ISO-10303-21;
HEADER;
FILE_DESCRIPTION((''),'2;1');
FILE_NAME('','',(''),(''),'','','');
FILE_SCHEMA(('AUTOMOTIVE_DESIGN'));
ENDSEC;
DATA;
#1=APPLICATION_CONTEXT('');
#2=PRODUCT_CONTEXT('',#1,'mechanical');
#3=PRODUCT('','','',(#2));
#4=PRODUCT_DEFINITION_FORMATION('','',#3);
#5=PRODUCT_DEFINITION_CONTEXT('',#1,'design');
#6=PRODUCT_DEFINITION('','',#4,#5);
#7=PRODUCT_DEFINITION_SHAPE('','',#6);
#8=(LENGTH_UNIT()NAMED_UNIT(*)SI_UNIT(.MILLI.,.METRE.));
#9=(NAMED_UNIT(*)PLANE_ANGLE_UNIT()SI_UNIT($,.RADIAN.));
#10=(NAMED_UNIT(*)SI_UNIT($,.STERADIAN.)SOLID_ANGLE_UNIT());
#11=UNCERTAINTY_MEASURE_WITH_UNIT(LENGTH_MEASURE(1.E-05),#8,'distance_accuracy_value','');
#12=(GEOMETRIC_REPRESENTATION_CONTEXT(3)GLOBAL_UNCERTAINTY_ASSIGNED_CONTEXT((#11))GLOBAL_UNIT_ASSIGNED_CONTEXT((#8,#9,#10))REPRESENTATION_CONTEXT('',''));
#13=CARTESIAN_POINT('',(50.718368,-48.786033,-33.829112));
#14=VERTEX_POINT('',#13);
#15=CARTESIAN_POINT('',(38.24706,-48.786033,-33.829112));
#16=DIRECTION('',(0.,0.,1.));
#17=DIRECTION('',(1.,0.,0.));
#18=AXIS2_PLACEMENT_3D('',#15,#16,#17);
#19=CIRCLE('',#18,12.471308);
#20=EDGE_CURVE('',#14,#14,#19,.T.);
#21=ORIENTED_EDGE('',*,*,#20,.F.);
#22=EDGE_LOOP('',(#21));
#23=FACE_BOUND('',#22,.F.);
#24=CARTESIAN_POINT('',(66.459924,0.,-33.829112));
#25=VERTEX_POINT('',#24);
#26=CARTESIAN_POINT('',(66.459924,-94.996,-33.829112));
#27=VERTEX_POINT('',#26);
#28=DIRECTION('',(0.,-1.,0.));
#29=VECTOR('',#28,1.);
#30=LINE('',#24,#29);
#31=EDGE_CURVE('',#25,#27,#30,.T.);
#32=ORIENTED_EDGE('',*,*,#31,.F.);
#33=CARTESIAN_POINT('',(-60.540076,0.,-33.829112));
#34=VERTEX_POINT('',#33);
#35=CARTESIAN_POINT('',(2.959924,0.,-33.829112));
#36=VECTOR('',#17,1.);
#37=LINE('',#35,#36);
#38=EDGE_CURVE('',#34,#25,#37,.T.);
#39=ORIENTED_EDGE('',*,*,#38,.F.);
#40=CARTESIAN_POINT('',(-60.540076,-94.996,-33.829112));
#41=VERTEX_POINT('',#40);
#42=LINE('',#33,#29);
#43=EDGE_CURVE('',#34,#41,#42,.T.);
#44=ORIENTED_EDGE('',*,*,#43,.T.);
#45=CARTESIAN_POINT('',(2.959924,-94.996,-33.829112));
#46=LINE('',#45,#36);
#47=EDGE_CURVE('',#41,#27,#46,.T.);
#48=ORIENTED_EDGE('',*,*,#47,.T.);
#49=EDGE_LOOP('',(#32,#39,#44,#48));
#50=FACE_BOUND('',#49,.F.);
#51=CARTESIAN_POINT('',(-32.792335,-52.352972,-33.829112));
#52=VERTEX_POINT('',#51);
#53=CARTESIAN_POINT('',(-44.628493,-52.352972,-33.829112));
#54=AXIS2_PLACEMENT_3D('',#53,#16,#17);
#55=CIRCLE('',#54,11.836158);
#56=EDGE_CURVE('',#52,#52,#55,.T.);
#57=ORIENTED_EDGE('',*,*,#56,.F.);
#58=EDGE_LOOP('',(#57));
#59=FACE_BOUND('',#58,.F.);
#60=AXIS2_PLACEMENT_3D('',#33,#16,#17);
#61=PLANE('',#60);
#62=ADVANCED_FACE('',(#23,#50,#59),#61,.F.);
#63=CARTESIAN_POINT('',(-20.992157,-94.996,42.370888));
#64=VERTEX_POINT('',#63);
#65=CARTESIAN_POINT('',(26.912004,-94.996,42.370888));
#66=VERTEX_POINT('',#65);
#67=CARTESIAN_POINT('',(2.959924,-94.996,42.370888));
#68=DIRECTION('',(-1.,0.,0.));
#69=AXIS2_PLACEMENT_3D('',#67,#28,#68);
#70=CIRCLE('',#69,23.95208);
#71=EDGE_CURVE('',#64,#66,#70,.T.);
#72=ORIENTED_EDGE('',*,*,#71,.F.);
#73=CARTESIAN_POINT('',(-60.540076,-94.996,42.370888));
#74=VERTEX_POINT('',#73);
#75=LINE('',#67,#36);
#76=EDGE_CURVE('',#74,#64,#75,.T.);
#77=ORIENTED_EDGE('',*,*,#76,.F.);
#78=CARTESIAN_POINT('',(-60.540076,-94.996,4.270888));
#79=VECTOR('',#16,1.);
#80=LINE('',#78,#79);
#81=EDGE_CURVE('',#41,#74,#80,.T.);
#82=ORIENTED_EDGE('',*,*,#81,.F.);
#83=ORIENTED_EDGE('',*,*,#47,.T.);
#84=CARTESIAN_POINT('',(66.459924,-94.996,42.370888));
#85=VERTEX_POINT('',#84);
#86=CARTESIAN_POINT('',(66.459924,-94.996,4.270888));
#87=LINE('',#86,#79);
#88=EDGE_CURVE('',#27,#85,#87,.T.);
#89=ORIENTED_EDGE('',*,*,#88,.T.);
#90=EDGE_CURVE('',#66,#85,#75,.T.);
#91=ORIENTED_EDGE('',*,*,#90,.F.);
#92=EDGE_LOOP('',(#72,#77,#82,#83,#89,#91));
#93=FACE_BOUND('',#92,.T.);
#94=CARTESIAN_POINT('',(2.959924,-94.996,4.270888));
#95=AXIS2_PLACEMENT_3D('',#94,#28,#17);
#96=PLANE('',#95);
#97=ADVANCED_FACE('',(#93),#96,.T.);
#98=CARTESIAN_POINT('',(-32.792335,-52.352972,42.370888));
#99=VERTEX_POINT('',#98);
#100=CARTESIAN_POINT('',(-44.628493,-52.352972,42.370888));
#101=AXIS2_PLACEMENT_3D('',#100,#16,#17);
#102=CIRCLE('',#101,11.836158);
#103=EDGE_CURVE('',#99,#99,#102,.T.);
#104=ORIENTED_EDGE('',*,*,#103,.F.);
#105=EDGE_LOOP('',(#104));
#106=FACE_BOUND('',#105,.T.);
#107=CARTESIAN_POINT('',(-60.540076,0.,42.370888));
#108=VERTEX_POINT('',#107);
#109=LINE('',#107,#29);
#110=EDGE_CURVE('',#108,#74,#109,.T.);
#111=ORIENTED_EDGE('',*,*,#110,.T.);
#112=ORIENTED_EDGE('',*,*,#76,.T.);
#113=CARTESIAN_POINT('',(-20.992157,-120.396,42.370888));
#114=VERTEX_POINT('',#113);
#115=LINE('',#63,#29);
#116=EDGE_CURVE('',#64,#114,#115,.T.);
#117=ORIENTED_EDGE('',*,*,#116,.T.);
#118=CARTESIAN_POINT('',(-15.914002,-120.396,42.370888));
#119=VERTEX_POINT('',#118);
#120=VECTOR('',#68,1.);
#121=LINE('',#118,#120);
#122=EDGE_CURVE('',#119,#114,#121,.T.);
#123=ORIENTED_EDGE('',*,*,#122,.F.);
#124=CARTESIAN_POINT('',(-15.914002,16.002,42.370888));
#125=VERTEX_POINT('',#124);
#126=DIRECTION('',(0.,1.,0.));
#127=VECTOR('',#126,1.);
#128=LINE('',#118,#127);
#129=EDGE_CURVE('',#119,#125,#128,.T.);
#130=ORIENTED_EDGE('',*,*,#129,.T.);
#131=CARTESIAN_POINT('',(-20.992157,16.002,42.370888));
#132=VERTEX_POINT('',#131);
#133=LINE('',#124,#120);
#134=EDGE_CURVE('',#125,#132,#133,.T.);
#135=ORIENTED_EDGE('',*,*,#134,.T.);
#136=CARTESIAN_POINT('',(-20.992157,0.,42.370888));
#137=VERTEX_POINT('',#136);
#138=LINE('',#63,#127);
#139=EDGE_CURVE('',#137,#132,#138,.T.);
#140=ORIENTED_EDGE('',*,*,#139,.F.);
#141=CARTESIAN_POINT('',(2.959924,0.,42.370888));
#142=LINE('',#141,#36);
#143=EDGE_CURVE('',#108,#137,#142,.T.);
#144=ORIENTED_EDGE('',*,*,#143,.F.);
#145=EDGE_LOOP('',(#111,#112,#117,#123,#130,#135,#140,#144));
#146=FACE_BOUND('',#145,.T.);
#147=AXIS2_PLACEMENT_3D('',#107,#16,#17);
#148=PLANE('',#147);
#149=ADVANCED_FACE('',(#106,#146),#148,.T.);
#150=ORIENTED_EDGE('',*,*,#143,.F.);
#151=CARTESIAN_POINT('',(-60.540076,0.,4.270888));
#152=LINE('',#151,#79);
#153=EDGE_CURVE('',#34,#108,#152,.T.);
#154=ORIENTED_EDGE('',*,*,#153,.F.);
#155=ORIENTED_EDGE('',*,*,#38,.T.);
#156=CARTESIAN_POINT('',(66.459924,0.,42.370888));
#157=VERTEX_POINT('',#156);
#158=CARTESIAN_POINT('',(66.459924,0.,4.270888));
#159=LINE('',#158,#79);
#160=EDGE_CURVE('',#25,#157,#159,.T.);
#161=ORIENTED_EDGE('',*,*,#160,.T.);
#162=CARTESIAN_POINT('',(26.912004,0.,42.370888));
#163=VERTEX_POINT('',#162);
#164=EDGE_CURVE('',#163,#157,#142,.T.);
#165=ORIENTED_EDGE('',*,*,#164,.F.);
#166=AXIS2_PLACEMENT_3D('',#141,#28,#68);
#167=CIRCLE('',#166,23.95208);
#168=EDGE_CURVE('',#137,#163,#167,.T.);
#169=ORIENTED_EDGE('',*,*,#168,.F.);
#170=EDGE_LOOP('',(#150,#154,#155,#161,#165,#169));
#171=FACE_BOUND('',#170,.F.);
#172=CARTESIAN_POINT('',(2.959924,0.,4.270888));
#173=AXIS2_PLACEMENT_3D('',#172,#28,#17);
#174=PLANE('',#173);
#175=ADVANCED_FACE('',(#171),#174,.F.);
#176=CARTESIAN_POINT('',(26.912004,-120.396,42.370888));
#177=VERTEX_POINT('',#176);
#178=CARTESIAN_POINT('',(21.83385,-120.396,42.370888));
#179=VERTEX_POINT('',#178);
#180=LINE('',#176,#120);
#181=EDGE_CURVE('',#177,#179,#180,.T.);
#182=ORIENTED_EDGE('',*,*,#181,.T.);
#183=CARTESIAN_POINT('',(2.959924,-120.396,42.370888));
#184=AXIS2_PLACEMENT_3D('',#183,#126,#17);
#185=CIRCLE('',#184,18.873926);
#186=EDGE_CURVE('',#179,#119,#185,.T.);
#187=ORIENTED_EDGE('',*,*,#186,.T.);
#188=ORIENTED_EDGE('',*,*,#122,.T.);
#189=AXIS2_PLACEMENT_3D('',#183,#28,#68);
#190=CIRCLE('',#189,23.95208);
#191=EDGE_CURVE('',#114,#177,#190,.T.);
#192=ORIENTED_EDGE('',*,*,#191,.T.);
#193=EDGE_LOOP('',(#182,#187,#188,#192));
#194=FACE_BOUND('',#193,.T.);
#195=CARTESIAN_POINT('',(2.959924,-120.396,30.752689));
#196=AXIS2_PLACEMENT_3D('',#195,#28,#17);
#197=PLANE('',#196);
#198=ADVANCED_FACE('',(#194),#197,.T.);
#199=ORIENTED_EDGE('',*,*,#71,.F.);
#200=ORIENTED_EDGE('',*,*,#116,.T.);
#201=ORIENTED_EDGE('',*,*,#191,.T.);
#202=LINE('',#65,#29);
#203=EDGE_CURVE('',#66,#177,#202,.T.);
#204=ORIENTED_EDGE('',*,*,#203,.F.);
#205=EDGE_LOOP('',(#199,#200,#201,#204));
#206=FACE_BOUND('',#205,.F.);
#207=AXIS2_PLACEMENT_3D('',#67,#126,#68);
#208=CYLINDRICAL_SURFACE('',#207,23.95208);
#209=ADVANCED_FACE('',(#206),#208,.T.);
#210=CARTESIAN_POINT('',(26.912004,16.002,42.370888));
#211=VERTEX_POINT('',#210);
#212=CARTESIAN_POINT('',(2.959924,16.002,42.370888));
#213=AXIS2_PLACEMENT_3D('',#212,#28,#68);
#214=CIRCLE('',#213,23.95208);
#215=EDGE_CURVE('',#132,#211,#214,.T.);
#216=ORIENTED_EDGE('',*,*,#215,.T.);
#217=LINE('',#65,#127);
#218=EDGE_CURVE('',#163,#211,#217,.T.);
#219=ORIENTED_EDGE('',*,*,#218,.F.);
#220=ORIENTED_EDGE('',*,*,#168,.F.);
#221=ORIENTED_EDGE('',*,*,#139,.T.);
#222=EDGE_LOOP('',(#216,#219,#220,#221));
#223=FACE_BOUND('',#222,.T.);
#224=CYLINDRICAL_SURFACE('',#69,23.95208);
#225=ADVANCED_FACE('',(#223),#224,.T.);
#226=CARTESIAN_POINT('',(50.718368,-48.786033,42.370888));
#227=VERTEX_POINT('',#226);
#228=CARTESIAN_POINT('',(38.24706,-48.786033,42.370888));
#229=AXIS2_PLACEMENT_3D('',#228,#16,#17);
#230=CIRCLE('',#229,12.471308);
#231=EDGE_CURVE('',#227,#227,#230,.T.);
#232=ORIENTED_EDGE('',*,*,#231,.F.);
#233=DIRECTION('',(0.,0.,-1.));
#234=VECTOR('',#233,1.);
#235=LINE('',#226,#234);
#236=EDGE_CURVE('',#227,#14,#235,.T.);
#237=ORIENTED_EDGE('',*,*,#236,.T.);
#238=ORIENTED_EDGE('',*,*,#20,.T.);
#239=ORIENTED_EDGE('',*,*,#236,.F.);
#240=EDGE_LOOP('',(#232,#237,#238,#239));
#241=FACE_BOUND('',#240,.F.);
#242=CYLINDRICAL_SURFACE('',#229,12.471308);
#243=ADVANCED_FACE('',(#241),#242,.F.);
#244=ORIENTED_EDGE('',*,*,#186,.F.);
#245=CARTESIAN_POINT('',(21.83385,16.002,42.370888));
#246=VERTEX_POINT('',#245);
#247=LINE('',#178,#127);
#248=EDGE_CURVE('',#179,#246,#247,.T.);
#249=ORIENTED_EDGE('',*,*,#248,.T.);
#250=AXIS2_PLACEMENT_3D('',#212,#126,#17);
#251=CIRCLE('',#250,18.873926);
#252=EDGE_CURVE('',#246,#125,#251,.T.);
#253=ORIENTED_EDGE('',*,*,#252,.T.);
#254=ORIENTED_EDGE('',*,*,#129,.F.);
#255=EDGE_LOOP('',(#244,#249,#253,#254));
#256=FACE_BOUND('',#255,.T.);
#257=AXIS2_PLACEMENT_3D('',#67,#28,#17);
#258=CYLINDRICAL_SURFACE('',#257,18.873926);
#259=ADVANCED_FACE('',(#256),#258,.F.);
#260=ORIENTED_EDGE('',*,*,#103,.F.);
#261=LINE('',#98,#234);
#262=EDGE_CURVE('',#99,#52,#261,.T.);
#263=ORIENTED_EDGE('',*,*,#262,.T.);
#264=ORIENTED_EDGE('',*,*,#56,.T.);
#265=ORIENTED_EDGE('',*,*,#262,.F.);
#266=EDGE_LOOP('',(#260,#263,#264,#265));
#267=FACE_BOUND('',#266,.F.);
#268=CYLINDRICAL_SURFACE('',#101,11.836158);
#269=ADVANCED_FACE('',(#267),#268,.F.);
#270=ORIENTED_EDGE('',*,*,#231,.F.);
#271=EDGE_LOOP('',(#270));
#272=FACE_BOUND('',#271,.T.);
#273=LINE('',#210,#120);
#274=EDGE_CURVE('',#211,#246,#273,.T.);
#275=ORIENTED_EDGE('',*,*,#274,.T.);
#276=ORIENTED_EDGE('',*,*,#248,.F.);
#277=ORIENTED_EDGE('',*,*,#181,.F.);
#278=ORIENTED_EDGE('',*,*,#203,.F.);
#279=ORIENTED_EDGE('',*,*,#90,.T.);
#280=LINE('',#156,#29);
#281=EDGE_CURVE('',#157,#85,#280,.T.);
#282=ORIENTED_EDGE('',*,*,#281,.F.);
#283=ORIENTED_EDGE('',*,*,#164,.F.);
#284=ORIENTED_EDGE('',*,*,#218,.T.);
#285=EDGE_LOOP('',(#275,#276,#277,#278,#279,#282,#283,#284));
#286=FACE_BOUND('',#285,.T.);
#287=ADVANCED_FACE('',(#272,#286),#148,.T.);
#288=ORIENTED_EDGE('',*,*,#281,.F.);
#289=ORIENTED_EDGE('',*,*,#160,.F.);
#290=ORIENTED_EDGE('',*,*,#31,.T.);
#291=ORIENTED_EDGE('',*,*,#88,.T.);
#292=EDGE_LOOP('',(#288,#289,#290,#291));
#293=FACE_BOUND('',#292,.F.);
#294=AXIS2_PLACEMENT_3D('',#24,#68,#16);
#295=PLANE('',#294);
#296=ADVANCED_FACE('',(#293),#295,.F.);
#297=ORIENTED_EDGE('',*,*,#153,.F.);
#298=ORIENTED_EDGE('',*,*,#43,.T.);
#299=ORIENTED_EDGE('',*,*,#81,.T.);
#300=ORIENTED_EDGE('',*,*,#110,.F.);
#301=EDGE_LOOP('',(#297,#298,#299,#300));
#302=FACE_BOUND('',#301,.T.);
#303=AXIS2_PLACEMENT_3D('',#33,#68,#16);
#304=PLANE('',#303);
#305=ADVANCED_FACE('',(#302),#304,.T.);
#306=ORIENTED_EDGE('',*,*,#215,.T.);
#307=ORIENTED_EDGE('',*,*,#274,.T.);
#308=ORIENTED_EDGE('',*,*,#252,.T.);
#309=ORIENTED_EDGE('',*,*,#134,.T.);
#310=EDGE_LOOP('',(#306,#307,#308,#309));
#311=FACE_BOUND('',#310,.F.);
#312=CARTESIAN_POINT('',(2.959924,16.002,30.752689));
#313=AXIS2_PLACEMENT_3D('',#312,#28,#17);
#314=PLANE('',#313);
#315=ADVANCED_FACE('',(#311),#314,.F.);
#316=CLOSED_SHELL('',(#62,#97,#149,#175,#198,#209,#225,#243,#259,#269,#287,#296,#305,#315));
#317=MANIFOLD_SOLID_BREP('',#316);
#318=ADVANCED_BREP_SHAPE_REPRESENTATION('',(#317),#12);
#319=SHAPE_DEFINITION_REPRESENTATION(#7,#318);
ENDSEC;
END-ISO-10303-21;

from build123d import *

# Parameters (mm, degrees)
F0_W     = 127
F0_H     = 76.2
F1_DEPTH = 94.996
F3_DEPTH = 25.4
F4_DEPTH = 115.824
F5_DEPTH = 110.998
F6_R     = 11.8361581928
F7_DEPTH = 300.736
F8_R     = 12.4713083384
F9_DEPTH = 188.468


with BuildPart() as f1:
    # F0 (on Front) → F1 (new body)
    with BuildSketch(Plane.XZ):
        with Locations((2.9599239826, 4.2708883941)):
            Rectangle(F0_W, F0_H)
    extrude(amount=F1_DEPTH)

    # F2 (on face) → F3 (join)
    with BuildSketch(Plane.XZ.offset(94.996)):
        with BuildLine():
            Line((26.9120044817, 42.3708883941), (21.8338499293, 42.3708883941))
            ThreePointArc((21.8338499293, 42.3708883941), (2.9599239826, 23.4969624475), (-15.914001964, 42.3708883941))
            Line((-15.914001964, 42.3708883941), (-20.9921565165, 42.3708883941))
            ThreePointArc((-20.9921565165, 42.3708883941), (2.9599239826, 18.418807895), (26.9120044817, 42.3708883941))
        make_face()
    extrude(amount=F3_DEPTH)

    # F4 (cut): a face of the model
    f4_faces = [f1.faces().sort_by_distance(p)[0] for p in [
        (2.9599239826, -94.996, 34.3605454342),
    ]]
    extrude(f4_faces, amount=-F4_DEPTH, mode=Mode.SUBTRACT)

    # F2 (on face) → F5 (join)
    with BuildSketch(Plane.XZ.offset(94.996)):
        with BuildLine():
            Line((26.9120044817, 42.3708883941), (21.8338499293, 42.3708883941))
            ThreePointArc((21.8338499293, 42.3708883941), (2.9599239826, 23.4969624475), (-15.914001964, 42.3708883941))
            Line((-15.914001964, 42.3708883941), (-20.9921565165, 42.3708883941))
            ThreePointArc((-20.9921565165, 42.3708883941), (2.9599239826, 18.418807895), (26.9120044817, 42.3708883941))
        make_face()
    extrude(amount=-F5_DEPTH)

    # F6 (on face) → F7 (cut)
    with BuildSketch(Plane.XY.offset(42.3708883941)):
        with Locations((-44.6284934878, -52.3529723287)):
            Circle(F6_R)
    extrude(amount=-F7_DEPTH, mode=Mode.SUBTRACT)

    # F8 (on face) → F9 (cut)
    with BuildSketch(Plane.XY.offset(42.3708883941)):
        with Locations((38.2470600307, -48.7860329449)):
            Circle(F8_R)
    extrude(amount=-F9_DEPTH, mode=Mode.SUBTRACT)


solid = f1.part
